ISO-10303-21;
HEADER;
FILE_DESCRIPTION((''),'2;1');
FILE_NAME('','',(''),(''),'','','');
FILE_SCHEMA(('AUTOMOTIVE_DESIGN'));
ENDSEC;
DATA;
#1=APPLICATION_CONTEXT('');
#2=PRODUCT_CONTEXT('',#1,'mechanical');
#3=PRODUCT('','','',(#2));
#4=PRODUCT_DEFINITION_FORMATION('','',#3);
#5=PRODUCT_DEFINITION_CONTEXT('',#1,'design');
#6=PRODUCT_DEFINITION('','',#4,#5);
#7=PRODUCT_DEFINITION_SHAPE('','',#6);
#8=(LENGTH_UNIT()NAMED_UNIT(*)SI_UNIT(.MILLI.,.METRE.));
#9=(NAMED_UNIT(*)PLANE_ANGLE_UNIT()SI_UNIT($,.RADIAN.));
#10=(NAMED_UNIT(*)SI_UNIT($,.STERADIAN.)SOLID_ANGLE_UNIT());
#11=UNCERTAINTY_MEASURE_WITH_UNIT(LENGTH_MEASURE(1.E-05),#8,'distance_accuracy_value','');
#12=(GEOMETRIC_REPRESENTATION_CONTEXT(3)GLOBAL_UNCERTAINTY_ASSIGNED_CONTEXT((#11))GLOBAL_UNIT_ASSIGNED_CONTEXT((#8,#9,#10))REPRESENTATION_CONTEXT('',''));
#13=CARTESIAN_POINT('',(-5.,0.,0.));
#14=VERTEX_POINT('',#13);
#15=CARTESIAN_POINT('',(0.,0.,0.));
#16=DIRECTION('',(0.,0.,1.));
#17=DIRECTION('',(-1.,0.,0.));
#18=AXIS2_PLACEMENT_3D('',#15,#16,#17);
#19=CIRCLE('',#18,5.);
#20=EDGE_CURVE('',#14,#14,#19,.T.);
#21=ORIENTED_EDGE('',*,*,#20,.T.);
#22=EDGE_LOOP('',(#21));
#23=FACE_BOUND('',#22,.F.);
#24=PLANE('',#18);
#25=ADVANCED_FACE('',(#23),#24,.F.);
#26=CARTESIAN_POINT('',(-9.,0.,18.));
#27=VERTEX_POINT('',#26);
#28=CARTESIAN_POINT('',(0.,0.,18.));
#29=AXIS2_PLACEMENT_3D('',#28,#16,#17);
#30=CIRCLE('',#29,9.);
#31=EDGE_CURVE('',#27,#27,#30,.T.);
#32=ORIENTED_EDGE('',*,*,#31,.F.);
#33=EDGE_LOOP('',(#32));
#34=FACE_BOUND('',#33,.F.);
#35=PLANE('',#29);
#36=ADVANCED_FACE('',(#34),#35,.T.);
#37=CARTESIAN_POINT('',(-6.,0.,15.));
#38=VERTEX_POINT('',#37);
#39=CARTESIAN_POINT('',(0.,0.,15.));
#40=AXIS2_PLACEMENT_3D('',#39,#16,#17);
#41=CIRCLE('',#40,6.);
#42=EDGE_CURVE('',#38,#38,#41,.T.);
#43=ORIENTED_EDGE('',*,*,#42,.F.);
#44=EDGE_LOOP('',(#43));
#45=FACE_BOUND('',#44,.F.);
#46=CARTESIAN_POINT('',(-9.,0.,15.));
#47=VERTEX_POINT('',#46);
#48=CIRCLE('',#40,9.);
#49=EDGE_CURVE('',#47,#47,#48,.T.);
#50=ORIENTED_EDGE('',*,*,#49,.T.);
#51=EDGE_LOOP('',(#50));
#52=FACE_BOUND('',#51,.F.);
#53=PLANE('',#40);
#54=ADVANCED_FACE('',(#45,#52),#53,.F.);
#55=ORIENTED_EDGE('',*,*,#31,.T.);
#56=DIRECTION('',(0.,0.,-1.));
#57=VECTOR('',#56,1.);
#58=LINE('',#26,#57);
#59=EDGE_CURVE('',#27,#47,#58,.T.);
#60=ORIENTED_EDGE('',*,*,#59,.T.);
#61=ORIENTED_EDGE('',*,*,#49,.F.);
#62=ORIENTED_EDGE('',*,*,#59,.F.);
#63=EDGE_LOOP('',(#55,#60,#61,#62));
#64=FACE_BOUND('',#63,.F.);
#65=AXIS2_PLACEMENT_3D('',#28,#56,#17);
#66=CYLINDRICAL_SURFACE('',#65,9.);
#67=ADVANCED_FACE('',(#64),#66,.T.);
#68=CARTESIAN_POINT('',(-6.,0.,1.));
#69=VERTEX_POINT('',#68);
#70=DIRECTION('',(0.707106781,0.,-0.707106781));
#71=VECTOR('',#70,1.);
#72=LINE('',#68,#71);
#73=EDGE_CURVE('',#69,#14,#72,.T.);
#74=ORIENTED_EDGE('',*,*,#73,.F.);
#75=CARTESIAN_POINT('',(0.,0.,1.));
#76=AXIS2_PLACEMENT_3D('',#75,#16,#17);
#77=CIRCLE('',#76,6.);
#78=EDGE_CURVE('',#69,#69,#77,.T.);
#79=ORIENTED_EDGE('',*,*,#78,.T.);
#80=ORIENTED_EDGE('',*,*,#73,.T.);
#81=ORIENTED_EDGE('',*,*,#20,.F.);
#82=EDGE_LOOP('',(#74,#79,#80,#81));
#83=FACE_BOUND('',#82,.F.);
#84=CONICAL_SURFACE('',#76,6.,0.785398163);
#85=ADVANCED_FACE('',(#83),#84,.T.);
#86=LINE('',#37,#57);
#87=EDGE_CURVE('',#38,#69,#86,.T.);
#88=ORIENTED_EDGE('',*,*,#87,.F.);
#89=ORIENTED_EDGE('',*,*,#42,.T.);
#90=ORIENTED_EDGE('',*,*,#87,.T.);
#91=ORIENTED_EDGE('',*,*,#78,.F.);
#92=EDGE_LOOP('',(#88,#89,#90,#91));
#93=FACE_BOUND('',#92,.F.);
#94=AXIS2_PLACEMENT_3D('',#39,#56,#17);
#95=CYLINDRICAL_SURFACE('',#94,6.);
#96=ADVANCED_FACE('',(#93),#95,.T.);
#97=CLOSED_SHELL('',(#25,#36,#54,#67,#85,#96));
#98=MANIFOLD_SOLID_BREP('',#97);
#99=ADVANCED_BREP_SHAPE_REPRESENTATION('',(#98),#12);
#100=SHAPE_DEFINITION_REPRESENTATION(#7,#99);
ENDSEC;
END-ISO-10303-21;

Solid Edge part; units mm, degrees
sketch "Sketch1" plane through (0, 0, 0) normal (0, -1, 0) x (1, 0, 0)
  line L0 (0, 18) -> (-9, 18)
  line L1 (-9, 18) -> (-9, 15)
  line L2 (-9, 15) -> (-6, 15)
  line L3 (-6, 15) -> (-6, 0)
  line L4 (-6, 0) -> (0, 0)
  dimension "D1" = 15
  dimension "D2" = 3
revolve "RevolvedProtrusion1" add sketch "Sketch1" angle 360 about axis through (0, 0, 0) along (0, 0, 1)
chamfer "Chamfer1" [suppressed]
chamfer "Fase_4" distance 1 angle 45 1 edges at (6, 0, 0)
